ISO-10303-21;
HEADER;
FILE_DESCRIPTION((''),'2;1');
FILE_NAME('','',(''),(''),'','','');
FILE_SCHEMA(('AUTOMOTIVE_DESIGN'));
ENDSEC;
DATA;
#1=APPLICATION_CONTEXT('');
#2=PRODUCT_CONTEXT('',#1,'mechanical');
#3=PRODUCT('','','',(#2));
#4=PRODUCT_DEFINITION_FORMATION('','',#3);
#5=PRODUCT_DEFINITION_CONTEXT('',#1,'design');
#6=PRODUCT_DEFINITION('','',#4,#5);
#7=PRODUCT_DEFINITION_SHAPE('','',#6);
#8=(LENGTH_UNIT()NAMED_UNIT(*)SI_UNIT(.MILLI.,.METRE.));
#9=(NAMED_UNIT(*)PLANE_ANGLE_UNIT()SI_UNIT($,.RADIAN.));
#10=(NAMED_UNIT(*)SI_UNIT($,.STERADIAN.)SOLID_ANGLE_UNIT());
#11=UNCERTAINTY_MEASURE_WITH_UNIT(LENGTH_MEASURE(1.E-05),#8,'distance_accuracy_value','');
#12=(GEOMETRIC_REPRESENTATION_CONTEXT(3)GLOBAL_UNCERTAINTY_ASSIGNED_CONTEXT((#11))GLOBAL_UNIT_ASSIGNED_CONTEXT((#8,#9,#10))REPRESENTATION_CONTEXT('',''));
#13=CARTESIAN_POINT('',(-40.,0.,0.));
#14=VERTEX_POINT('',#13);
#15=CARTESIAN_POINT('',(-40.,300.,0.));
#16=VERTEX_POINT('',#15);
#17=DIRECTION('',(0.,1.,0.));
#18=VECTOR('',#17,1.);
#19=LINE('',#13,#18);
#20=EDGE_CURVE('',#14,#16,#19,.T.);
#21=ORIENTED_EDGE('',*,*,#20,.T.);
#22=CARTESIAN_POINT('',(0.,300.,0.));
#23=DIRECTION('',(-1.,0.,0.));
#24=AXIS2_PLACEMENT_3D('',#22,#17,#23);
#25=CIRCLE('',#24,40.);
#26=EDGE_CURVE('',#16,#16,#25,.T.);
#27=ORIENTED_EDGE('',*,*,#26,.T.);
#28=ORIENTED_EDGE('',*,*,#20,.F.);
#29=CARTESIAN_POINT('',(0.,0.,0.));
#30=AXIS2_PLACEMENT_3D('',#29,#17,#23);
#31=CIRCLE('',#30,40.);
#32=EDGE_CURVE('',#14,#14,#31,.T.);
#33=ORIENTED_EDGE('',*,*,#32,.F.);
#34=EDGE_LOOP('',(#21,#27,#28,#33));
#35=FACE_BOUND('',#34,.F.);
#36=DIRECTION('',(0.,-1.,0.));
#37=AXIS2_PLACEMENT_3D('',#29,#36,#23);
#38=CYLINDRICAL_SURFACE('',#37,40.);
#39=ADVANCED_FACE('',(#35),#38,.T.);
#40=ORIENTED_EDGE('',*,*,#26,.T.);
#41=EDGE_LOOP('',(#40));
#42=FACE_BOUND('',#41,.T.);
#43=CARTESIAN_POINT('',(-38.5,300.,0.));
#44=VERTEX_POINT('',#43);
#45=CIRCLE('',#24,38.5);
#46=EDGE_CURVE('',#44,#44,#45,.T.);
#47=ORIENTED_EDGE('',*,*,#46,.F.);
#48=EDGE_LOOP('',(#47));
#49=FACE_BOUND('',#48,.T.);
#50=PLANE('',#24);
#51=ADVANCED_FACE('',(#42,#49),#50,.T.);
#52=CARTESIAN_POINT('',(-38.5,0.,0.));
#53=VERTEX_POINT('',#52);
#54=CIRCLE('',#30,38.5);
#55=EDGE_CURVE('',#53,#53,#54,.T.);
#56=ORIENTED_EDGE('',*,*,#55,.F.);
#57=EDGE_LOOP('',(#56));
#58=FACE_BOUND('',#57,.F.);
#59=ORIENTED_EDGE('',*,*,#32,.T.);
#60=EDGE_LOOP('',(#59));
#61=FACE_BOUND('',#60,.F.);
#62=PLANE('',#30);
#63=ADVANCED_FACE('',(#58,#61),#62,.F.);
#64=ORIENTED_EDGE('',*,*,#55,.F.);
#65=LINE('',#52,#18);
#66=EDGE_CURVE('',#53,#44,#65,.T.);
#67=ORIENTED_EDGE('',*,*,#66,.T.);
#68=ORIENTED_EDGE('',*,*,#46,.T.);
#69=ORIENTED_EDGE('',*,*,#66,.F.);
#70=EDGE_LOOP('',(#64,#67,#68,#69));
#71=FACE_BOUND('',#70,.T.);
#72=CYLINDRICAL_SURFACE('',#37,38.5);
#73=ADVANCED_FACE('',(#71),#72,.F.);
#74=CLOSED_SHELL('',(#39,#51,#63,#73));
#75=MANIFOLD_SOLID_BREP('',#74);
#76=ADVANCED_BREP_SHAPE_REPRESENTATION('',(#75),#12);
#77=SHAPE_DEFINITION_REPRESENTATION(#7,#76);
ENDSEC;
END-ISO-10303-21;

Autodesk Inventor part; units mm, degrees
ref_plane "YZ Plane" through (0, 0, 0) normal (1, 0, 0) x (0, 1, 0)
ref_plane "XZ Plane" through (0, 0, 0) normal (0, 1, 0) x (-1, 0, 0)
ref_plane "XY Plane" through (0, 0, 0) normal (0, 0, 1) x (1, 0, 0)
sketch "草图1" plane through (0, 0, 0) normal (0, 1, 0) x (-1, 0, 0)
  circle A0 centre (0, 0) radius 40
  circle A1 centre (0, 0) radius 38.5
  dimension "d0" = 80
  dimension "d1" = 77
extrude "拉伸1" add sketch "草图1" along normal blind 300
equation "\"折弯半径\" = 厚度"
equation "\"折弯释压宽度\" = 厚度"
equation "\"折弯释压深度\" = 0.5 * 厚度"
equation "\"拐角释压尺寸\" = 4 * 厚度"
equation "\"最小余量\" = 2 * 厚度"
equation "\"过渡半径\" = 折弯半径"
equation "\"Jacobi半径尺寸\" = 折弯半径"
equation "\"间隙大小\" = 厚度"
equation "\"厚度\" = 0.5"
properties part number "回收桶"
